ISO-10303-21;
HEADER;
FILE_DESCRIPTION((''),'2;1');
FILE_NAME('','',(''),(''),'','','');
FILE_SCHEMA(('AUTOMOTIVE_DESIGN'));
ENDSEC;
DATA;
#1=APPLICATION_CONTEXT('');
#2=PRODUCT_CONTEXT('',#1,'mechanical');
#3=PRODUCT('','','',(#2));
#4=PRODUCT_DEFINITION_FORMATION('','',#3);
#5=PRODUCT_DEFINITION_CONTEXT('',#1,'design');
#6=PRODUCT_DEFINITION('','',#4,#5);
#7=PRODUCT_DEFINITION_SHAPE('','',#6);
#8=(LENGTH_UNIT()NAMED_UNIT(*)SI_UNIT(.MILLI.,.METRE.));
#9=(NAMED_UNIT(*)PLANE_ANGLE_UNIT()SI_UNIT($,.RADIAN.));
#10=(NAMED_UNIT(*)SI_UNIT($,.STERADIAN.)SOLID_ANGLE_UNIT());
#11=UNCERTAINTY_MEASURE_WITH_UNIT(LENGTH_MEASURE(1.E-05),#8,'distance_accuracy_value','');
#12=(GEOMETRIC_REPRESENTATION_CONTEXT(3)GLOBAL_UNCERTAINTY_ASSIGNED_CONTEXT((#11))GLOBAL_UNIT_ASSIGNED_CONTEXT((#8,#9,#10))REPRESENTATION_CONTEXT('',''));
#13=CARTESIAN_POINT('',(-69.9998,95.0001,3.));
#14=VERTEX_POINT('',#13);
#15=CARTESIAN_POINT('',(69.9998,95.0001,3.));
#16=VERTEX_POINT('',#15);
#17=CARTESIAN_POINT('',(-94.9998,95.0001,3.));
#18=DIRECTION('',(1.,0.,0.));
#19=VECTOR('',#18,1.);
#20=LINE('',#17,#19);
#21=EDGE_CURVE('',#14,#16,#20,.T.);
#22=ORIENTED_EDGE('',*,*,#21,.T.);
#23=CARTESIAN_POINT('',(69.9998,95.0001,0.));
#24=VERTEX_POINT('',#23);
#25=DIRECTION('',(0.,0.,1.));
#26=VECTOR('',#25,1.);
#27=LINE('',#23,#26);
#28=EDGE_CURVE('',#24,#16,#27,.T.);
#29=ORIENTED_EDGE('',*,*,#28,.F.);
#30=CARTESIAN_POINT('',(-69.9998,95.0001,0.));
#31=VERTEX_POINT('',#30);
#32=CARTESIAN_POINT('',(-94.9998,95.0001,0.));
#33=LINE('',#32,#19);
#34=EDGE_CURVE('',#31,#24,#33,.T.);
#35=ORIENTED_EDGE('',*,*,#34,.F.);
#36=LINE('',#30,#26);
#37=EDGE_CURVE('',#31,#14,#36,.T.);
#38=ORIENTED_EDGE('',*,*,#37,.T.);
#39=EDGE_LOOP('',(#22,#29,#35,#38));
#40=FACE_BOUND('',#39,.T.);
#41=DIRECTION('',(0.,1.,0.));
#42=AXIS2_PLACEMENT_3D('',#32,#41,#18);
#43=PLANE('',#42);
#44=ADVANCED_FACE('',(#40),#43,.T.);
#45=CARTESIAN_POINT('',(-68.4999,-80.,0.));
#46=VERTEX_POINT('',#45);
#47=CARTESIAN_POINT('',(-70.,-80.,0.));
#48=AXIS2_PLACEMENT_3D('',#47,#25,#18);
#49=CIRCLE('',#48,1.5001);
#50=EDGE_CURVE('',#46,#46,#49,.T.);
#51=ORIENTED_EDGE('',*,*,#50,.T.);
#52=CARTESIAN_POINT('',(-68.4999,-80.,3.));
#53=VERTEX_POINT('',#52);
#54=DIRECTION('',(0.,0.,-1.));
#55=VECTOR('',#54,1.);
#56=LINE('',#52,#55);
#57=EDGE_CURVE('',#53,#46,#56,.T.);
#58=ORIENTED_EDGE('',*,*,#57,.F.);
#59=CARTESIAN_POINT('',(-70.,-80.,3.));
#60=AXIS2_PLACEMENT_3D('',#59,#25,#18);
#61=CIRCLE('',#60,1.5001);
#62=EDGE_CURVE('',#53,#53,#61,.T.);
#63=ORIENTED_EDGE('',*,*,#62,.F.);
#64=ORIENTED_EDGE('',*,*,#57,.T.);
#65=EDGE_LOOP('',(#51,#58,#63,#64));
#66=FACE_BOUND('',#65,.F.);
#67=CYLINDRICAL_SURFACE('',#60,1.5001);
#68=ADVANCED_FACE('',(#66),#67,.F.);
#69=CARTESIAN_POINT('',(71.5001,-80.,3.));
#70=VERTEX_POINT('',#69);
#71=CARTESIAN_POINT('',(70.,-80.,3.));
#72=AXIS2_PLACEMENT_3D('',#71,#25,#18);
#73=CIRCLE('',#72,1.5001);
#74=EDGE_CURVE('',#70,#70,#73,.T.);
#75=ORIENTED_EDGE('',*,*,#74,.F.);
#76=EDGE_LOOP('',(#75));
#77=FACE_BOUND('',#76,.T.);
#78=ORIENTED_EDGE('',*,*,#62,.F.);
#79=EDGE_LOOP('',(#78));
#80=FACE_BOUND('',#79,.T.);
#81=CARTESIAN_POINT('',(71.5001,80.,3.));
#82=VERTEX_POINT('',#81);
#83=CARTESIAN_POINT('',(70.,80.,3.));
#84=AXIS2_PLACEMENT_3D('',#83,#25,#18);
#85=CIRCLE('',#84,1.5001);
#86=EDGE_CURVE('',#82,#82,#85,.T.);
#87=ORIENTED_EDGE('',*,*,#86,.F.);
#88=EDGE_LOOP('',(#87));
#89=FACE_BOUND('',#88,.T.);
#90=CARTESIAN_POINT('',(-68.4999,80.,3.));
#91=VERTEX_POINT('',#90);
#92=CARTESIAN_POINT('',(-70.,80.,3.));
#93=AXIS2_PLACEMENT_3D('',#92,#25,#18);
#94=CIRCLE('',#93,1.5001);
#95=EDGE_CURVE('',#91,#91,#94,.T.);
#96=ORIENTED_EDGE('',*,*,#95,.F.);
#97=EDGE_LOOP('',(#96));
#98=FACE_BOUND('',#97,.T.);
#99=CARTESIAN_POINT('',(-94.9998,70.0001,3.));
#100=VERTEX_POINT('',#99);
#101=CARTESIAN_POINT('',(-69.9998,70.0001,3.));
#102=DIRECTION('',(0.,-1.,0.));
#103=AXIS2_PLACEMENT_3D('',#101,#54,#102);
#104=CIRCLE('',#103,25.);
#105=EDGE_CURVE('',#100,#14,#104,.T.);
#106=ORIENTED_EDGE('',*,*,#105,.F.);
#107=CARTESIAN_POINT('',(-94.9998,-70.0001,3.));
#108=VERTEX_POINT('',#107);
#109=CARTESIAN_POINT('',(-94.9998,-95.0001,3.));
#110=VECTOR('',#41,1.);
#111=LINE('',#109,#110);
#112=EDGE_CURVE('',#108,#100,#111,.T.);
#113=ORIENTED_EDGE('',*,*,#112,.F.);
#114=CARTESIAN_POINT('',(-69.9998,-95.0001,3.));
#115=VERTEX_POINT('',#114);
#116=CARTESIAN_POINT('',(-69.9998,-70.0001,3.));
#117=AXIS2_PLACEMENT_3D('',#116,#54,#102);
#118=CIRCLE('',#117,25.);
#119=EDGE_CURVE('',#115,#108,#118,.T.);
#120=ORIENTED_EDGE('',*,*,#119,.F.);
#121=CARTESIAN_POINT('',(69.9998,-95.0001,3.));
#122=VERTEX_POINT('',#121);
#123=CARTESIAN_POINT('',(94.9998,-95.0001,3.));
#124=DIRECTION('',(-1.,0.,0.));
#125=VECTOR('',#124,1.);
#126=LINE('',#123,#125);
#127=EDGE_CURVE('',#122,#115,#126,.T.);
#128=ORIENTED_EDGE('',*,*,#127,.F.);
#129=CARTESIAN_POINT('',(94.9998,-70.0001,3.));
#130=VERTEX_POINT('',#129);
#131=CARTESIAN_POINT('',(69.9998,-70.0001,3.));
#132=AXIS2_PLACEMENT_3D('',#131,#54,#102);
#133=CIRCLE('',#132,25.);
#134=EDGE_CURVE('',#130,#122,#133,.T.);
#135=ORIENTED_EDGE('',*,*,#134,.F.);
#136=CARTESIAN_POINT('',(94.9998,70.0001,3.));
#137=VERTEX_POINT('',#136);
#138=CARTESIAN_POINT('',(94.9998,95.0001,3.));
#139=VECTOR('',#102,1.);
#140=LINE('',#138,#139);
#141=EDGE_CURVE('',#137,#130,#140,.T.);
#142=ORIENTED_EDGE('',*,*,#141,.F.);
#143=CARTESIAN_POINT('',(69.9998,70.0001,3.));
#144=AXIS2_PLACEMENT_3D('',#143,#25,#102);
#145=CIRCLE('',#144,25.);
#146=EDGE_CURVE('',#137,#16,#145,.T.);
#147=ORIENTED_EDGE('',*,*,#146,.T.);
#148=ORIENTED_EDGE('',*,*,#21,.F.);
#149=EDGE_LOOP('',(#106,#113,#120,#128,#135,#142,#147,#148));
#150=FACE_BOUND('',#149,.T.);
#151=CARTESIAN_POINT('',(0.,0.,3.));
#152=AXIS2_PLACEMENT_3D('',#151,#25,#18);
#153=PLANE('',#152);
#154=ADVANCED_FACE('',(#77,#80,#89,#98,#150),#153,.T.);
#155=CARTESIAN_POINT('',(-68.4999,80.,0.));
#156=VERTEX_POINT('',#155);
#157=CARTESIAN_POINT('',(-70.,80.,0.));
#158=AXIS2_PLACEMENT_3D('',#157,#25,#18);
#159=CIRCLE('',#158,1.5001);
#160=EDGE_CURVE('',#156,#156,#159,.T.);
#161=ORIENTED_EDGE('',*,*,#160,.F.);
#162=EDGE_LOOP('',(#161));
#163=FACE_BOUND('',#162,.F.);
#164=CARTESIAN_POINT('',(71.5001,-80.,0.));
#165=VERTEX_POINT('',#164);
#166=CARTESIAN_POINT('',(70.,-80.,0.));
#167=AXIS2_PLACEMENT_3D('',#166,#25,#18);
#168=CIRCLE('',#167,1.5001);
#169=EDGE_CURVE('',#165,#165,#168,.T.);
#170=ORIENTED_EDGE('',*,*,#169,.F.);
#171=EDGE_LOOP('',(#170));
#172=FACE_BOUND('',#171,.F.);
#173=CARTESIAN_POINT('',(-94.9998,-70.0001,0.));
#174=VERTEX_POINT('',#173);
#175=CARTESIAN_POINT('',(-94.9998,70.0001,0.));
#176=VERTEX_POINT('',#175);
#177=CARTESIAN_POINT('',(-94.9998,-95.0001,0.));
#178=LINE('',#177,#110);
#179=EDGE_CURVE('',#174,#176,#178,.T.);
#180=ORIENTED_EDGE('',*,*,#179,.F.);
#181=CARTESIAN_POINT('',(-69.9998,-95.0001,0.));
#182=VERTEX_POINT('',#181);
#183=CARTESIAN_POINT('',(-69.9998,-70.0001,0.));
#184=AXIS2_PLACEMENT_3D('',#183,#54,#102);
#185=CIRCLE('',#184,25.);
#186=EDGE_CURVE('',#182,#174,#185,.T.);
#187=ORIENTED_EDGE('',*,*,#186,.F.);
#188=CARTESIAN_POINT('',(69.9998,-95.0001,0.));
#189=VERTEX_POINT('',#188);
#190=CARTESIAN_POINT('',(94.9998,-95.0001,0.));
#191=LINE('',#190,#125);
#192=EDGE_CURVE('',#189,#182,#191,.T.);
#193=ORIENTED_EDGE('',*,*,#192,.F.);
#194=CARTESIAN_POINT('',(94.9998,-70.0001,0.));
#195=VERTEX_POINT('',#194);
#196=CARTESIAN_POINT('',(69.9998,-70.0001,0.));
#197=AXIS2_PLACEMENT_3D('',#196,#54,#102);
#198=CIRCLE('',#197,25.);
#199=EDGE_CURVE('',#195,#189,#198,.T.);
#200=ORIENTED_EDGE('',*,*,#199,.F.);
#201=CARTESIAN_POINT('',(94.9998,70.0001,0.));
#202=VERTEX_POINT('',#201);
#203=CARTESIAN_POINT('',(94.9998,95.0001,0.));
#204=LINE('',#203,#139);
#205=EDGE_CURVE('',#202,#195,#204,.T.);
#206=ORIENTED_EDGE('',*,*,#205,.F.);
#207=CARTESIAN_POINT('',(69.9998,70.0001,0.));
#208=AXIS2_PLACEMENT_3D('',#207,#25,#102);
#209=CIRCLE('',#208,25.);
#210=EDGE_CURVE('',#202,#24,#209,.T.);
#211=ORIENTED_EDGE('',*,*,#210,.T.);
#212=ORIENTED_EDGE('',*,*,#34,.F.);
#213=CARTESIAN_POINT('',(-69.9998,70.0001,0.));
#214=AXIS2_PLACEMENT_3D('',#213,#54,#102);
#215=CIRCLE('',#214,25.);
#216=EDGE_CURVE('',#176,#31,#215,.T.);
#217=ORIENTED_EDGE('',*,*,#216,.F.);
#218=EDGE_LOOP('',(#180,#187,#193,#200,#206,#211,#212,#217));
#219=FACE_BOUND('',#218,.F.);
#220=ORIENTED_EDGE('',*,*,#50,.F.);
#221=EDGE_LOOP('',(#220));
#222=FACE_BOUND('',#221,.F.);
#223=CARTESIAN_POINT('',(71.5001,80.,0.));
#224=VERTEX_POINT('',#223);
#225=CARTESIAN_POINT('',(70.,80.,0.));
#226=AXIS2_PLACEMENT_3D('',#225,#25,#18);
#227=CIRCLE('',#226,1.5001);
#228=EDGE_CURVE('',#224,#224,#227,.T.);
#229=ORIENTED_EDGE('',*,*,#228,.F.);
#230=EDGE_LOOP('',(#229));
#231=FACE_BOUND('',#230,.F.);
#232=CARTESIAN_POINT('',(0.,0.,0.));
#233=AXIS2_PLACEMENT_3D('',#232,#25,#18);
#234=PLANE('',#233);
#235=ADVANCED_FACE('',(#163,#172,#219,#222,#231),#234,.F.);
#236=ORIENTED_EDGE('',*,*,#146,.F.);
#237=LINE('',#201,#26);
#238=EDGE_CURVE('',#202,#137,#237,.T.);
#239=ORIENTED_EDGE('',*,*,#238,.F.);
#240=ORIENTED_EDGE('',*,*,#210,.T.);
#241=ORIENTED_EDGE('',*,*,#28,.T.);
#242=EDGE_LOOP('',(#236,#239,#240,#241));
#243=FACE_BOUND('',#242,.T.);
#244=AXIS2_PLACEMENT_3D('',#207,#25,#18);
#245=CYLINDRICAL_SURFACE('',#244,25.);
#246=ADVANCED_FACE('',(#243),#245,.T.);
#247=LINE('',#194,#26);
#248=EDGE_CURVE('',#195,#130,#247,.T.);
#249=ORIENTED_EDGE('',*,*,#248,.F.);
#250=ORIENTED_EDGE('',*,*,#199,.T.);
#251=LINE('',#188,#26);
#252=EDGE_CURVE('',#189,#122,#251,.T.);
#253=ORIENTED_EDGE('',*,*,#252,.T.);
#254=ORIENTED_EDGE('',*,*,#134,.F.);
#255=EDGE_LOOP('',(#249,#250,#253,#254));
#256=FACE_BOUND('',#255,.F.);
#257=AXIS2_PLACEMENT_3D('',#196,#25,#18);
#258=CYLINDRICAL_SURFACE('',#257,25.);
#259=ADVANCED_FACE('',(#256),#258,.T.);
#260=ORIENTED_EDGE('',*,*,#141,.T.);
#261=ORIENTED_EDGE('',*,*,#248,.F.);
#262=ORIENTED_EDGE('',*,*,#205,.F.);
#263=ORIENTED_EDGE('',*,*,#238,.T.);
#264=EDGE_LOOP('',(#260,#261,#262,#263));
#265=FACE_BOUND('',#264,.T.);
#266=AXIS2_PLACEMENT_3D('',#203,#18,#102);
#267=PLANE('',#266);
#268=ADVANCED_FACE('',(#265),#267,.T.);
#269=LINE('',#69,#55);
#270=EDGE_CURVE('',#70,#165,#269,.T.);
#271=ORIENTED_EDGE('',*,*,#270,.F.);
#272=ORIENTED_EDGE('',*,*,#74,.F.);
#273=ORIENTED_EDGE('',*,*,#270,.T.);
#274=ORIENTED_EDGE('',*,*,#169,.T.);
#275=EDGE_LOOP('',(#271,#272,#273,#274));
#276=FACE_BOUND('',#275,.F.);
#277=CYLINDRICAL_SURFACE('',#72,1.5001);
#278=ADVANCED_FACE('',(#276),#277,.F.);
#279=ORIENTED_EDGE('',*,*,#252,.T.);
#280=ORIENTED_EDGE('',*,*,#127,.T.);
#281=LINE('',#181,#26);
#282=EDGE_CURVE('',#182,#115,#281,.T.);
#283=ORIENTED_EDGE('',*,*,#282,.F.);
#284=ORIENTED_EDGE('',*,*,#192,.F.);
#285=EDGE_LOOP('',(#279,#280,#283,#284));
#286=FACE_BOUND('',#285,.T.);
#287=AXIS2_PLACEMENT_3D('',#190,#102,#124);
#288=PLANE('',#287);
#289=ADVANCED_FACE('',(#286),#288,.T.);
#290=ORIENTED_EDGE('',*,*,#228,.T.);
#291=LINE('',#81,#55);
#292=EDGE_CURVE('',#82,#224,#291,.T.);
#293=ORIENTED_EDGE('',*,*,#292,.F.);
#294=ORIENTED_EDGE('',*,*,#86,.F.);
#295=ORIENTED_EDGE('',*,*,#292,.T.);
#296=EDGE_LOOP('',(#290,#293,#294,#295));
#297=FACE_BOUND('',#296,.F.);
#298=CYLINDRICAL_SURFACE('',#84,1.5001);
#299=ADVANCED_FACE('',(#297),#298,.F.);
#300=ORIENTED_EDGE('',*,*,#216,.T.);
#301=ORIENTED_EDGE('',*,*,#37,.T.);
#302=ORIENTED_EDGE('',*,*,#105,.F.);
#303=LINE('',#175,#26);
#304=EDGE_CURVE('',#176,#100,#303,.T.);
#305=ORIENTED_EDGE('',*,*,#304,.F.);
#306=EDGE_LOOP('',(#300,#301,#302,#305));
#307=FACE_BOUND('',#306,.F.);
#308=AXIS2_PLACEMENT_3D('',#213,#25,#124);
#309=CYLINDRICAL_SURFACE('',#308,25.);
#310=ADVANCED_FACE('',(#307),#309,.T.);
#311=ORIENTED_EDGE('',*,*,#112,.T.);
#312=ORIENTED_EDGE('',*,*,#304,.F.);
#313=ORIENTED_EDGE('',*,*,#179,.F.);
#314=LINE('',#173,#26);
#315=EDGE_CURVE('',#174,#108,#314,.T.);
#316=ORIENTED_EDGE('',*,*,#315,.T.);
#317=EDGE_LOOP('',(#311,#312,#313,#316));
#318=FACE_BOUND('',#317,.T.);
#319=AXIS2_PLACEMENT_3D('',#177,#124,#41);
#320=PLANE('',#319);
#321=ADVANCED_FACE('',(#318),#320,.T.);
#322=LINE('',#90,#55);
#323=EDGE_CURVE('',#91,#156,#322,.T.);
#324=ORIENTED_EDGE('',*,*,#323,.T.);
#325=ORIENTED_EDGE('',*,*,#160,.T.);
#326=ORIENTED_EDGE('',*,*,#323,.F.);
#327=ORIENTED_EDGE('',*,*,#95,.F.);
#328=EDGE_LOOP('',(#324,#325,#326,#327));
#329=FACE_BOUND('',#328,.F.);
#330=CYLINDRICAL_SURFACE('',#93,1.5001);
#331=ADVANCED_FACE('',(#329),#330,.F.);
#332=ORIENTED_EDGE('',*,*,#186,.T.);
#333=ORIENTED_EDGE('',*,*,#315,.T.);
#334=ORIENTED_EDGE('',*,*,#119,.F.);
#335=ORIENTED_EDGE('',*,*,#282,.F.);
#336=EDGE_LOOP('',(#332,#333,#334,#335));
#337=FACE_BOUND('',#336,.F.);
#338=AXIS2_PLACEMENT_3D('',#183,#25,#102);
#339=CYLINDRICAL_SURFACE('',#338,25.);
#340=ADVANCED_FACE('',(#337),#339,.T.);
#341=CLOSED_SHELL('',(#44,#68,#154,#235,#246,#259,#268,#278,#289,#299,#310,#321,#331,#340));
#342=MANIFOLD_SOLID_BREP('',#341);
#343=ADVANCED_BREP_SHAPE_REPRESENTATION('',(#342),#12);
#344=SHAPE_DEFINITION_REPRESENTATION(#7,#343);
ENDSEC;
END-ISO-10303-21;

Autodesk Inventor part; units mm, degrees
ref_plane "YZ Plane" through (0, 0, 0) normal (1, 0, 0) x (0, 1, 0)
ref_plane "XZ Plane" through (0, 0, 0) normal (0, 1, 0) x (-1, 0, 0)
ref_plane "XY Plane" through (0, 0, 0) normal (0, 0, 1) x (1, 0, 0)
sketch "Sketch1" plane through (0, 0, 0) normal (0, 0, 1) x (1, 0, 0)
  point P0 (0, 0)
sketch "Sketch2" plane through (0, 0, 0) normal (0, 0, 1) x (1, 0, 0)
  line L0 (94.9998, -95.0001) -> (-94.9998, -95.0001)
  line L1 (-94.9998, -95.0001) -> (-94.9998, 95.0001)
  line L2 (-94.9998, 95.0001) -> (94.9998, 95.0001)
  line L3 (94.9998, 95.0001) -> (94.9998, -95.0001)
  line L4 (94.9998, -95.0001) -> (-94.9998, 95.0001) construction
  line L5 (-94.9998, -95.0001) -> (94.9998, 95.0001) construction
  point P0 (0, 0)
extrude "Extrusion1" add sketch "Sketch2" along normal blind 3
sketch "Sketch3" plane through (0, 0, 3) normal (0, 0, 1) x (1, 0, 0)
  circle A0 centre (70, 80) radius 1.5001
  circle A1 centre (70, -80) radius 1.5001
  circle A2 centre (-70, 80) radius 1.5001
  circle A3 centre (-70, -80) radius 1.5001
extrude "Extrusion2" cut sketch "Sketch3" against normal blind 3
fillet "Fillet1" radius 25 1 edges at (94.9998, 95.0001, 1.5)
fillet "Fillet2" radius 25 1 edges at (94.9998, -95.0001, 1.5)
fillet "Fillet3" radius 25 1 edges at (-94.9998, -95.0001, 1.5)
fillet "Fillet4" radius 25 1 edges at (-94.9998, 95.0001, 1.5)
properties part number "payload_bay_square"
